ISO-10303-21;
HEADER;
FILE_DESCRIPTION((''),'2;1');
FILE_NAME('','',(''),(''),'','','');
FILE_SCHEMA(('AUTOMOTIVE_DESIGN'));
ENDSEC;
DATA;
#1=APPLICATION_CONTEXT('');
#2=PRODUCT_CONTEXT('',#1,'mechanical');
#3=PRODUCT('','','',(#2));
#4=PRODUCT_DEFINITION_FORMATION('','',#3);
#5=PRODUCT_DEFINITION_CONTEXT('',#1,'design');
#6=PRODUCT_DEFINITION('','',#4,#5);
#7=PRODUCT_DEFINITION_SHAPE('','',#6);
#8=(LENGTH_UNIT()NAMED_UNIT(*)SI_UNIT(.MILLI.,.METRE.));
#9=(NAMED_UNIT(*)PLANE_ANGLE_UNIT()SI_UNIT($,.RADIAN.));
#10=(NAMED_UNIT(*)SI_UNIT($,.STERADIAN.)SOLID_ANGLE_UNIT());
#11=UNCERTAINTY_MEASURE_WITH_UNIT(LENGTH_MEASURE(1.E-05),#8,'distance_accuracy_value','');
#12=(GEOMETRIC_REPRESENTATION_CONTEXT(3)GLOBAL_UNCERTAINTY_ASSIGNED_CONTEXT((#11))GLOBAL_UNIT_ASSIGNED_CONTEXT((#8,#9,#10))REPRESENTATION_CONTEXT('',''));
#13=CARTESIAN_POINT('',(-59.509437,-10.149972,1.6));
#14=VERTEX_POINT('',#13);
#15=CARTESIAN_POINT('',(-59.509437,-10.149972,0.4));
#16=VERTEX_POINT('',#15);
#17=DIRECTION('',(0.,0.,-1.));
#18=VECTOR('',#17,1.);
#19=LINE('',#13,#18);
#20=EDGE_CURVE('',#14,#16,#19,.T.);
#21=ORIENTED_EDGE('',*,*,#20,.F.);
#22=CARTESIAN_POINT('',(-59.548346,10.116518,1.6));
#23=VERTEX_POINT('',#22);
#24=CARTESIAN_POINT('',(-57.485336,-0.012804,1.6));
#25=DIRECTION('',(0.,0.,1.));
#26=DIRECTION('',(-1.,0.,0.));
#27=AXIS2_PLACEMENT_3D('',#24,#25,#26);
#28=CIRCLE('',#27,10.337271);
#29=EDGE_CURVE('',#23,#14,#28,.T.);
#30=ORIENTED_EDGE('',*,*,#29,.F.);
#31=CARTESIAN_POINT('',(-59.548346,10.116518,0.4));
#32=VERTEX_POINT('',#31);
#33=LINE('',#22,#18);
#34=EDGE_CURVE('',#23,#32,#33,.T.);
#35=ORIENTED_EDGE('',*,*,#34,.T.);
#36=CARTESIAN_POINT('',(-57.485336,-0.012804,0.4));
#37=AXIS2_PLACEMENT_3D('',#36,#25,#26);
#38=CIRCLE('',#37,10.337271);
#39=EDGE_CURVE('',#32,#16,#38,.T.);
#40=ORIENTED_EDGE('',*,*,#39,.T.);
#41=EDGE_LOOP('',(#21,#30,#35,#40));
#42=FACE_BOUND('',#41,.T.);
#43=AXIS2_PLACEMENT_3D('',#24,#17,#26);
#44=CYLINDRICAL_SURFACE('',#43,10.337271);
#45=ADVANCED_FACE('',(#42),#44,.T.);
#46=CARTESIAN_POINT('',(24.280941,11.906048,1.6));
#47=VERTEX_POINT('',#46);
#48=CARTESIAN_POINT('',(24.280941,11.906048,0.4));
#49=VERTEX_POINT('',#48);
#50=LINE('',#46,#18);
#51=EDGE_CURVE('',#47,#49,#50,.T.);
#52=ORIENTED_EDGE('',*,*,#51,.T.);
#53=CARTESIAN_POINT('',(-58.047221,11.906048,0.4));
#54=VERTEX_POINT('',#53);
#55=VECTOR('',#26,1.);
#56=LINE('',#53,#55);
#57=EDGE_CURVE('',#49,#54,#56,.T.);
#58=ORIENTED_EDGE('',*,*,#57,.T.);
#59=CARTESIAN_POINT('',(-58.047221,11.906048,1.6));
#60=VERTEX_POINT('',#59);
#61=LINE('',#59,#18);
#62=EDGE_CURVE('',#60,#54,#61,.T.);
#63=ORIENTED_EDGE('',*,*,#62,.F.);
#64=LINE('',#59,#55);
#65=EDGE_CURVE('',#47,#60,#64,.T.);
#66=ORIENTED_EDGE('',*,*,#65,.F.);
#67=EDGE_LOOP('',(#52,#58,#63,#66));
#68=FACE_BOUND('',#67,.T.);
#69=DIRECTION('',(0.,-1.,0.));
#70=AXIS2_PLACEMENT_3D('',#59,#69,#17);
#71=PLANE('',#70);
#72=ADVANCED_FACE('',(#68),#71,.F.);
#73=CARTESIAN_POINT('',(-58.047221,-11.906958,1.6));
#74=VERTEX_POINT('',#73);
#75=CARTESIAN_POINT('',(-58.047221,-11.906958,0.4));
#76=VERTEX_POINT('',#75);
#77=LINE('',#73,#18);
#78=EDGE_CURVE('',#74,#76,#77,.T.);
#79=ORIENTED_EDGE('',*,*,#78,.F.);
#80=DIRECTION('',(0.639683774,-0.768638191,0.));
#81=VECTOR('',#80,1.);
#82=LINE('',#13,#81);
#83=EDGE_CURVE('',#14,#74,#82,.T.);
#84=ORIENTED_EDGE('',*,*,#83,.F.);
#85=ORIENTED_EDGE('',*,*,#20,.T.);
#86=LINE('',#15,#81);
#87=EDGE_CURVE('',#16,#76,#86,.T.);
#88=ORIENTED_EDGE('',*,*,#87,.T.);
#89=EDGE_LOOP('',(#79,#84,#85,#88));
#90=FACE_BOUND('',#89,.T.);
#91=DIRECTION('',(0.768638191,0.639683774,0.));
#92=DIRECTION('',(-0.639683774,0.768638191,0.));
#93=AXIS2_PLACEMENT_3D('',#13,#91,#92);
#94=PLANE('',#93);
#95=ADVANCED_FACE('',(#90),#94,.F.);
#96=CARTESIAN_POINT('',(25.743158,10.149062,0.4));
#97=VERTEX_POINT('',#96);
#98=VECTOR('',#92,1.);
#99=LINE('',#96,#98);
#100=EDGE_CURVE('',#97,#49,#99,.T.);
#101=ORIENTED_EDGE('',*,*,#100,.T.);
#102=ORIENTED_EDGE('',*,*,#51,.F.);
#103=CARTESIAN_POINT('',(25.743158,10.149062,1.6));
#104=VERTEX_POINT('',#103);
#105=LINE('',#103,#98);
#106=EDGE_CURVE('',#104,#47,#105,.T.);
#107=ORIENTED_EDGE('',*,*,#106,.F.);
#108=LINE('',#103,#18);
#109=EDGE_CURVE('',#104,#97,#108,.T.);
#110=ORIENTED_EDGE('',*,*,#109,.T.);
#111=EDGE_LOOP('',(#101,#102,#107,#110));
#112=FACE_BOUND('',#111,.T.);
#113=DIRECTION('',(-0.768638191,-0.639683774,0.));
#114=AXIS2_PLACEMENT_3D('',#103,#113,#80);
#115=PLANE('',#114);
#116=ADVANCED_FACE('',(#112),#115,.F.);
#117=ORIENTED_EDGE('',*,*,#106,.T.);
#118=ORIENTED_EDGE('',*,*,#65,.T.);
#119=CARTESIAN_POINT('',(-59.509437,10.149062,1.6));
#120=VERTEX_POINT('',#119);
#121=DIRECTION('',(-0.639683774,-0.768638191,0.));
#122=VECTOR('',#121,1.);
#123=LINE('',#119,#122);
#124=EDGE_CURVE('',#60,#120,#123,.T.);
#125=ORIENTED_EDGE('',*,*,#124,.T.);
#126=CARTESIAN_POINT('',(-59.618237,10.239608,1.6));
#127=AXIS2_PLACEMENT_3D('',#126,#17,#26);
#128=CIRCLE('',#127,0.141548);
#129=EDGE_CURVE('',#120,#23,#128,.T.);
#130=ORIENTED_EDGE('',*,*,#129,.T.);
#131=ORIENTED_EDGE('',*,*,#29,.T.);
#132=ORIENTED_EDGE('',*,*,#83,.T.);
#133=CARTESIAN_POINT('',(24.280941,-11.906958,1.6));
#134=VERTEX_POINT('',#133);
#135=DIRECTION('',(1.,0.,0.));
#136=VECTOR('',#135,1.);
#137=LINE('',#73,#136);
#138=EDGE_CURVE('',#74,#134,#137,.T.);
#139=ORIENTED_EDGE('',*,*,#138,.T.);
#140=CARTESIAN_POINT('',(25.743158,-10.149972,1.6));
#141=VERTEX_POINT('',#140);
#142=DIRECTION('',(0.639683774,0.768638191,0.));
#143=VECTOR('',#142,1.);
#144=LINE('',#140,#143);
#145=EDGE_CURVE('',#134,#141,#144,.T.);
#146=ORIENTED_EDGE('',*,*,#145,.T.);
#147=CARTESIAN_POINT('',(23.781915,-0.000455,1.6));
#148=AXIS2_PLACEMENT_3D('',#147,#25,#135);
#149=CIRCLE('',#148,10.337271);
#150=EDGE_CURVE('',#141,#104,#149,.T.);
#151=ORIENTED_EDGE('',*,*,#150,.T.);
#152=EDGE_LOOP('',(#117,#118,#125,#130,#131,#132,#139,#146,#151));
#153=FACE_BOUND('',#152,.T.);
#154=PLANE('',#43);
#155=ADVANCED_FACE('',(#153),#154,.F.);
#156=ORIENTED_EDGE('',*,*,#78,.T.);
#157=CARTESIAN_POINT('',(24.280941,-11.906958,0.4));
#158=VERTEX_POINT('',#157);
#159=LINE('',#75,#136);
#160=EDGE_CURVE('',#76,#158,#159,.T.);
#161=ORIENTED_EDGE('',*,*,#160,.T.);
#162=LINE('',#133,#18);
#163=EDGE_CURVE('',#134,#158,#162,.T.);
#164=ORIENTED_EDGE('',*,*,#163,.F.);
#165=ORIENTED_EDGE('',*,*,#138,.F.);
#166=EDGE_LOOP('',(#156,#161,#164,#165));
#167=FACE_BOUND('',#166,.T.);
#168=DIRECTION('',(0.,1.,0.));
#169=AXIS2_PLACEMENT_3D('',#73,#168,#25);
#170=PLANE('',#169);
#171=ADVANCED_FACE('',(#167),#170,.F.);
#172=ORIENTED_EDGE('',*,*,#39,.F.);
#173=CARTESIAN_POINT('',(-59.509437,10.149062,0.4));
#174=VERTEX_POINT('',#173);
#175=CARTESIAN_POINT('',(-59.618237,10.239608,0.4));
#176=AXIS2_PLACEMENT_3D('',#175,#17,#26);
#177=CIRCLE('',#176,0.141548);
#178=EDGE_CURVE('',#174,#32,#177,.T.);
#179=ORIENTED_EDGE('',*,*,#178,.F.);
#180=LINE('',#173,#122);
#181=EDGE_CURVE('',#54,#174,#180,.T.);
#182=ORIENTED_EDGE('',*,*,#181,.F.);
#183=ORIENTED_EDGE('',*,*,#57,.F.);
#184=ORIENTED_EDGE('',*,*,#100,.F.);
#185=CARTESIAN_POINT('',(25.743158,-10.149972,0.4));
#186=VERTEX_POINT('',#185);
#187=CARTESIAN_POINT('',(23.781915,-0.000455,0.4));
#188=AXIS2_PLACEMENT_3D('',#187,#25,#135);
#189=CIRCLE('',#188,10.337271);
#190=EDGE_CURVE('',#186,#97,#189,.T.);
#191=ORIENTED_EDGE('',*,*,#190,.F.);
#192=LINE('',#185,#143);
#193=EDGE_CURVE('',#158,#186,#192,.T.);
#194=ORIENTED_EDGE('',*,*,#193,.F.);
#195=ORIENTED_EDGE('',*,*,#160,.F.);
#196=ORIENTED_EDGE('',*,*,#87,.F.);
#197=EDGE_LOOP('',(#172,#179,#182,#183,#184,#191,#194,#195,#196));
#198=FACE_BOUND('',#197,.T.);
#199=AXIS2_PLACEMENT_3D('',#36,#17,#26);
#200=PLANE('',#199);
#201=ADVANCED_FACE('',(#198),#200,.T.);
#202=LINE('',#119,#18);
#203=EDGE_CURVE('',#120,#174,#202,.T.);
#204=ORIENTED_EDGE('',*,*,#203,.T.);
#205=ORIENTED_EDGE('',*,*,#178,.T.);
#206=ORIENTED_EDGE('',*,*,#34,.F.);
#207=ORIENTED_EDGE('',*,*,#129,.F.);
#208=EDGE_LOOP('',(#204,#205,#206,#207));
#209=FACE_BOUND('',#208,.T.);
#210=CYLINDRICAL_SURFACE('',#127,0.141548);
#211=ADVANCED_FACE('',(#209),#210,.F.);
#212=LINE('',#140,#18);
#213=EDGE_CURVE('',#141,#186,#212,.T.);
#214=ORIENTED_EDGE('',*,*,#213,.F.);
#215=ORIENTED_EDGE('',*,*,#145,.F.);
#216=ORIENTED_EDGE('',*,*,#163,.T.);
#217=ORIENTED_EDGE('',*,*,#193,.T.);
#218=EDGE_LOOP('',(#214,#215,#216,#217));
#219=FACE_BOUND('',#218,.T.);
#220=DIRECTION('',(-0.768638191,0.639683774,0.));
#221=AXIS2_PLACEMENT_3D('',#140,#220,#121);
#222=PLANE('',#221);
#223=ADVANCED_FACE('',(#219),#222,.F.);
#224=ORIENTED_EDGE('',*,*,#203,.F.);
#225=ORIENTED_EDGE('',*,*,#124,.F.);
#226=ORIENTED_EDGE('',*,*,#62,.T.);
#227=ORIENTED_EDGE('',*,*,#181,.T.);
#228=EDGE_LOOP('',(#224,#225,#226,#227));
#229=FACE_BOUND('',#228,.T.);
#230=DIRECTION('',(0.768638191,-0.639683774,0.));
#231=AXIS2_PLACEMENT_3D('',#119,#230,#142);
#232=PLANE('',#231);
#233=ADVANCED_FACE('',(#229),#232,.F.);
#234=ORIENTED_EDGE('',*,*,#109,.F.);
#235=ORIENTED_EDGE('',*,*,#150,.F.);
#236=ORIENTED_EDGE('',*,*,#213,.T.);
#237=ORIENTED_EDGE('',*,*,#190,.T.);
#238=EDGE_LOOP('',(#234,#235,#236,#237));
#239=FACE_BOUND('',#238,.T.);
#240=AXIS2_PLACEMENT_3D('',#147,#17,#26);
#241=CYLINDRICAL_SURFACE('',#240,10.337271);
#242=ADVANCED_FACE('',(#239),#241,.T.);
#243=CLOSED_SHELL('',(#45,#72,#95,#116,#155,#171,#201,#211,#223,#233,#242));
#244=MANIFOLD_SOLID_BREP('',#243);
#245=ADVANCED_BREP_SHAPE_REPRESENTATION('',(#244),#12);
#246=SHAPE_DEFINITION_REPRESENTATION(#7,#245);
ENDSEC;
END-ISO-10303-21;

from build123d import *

# Parameters (mm, degrees)
BOSS_EXTRUDE1_DEPTH = 2
SCALE1_SCALE        = 0.6


with BuildPart() as part:
    # Sketch1 → Boss-Extrude1 (new body)
    with BuildSketch(Plane.XY):
        with BuildLine():
            Line((-87.945199987, 16.915862102), (-85.508172497, 19.844172117))
            Line((-85.508172497, 19.844172117), (51.705430776, 19.844172117))
            Line((51.705430776, 19.844172117), (54.142458266, 16.915862102))
            ThreePointArc((54.142458266, 16.915862102), (68.102505257, 0), (54.142458266, -16.915862102))
            Line((54.142458266, -16.915862102), (51.705430776, -19.844172117))
            Line((51.705430776, -19.844172117), (-85.508172497, -19.844172117))
            Line((-85.508172497, -19.844172117), (-87.945199987, -16.915862102))
            ThreePointArc((-87.945199987, -16.915862102), (-101.800450477, -0.05365779), (-88.010047693, 16.861622033))
            ThreePointArc((-88.010047693, 16.861622033), (-87.975174361, 16.885813548), (-87.945199987, 16.915862102))
        make_face()
    extrude(amount=BOSS_EXTRUDE1_DEPTH)


with BuildPart() as part_1:
    # Scale1: scaled about (-16.855793262, -0.001137482, 1)
    add(part.part.scale(SCALE1_SCALE).moved(Location((-6.742317305, -0.000454993, 0.4))))


solid = part_1.part
